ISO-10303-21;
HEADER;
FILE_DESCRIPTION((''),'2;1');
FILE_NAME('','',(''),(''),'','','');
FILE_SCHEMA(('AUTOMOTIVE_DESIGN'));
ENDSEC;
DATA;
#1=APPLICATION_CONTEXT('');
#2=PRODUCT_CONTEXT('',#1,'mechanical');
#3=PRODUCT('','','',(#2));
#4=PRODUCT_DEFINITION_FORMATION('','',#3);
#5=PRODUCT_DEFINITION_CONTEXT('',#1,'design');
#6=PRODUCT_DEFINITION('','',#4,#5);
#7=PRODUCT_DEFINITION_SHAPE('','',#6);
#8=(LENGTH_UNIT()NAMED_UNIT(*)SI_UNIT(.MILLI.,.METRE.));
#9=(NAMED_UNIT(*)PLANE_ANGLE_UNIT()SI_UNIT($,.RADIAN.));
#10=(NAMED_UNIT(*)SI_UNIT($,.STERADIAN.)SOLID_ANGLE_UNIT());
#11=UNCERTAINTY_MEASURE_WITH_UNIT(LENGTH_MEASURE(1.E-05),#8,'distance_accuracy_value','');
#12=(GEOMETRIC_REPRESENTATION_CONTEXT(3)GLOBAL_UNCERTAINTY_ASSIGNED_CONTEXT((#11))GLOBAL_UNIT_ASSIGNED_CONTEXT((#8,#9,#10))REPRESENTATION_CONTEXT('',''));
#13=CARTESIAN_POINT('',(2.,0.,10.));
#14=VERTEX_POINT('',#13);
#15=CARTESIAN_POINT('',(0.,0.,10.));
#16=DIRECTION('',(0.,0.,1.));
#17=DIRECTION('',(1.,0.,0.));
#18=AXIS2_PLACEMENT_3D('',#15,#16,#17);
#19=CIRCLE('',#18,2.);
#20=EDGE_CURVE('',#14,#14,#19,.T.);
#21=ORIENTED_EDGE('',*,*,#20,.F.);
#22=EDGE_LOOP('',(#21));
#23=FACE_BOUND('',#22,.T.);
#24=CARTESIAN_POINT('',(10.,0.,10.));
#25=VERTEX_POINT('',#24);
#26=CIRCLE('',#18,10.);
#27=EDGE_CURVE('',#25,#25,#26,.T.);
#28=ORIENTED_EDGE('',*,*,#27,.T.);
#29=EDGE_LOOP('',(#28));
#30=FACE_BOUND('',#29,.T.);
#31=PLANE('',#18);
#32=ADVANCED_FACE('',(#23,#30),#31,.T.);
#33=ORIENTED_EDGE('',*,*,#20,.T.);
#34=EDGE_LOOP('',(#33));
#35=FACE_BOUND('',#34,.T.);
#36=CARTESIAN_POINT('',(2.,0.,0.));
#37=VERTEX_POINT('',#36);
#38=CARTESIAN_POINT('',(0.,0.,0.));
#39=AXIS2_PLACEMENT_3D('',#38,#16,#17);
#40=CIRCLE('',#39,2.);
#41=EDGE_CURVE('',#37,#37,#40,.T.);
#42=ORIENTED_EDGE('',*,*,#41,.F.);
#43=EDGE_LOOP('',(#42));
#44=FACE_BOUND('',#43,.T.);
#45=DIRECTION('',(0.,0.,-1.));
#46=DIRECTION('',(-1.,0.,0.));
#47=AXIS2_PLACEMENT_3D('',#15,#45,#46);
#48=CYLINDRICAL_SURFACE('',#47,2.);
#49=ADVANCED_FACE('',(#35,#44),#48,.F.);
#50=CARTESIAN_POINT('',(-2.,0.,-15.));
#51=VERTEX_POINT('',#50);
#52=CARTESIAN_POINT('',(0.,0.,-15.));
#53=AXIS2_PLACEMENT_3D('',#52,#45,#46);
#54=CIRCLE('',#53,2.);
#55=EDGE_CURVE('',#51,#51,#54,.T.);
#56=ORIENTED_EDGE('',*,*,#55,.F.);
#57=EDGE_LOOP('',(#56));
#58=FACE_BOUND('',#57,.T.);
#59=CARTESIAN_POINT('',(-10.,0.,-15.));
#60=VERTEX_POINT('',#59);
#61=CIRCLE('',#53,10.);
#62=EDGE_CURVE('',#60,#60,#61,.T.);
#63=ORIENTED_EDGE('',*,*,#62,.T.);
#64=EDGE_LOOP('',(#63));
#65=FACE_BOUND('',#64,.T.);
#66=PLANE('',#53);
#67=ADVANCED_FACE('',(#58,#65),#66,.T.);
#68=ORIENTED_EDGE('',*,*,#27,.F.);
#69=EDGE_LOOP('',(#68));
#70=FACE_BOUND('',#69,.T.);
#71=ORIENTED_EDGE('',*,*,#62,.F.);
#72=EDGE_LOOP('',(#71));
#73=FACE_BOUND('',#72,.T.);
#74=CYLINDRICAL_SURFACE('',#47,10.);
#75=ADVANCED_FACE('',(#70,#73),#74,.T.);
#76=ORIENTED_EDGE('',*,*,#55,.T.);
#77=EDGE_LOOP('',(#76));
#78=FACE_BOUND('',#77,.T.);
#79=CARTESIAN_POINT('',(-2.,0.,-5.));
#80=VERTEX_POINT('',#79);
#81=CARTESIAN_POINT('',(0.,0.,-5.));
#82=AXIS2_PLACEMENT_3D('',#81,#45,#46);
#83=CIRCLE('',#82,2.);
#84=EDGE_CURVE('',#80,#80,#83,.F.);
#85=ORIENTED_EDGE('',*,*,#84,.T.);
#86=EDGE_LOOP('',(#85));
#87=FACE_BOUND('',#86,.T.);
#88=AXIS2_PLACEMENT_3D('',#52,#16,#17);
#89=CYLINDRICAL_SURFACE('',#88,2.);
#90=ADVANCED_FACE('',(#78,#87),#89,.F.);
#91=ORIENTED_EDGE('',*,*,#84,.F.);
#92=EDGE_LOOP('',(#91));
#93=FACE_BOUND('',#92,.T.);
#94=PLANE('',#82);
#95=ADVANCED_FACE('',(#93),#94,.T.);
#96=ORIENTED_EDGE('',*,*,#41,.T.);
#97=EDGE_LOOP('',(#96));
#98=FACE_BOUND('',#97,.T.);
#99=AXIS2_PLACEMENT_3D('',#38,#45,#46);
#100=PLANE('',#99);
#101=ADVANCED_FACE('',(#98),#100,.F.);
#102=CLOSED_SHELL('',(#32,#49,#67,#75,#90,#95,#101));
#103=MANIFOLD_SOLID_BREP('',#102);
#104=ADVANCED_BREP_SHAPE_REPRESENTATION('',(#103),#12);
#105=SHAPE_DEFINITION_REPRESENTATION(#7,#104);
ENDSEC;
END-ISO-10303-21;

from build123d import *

# Parameters (mm, degrees)
SKETCH1_R           = 10
SKETCH1_R_2         = 2
BOSS_EXTRUDE1_DEPTH = 10
BOSS_EXTRUDE3_START = 5
SKETCH4_R           = 10
BOSS_EXTRUDE3_DEPTH = 5
BOSS_EXTRUDE4_START = 10
SKETCH5_R           = 10
SKETCH5_R_2         = 2
BOSS_EXTRUDE4_DEPTH = 10


with BuildPart() as part:
    # Sketch1 → Boss-Extrude1 (new body)
    with BuildSketch(Plane.XY):
        Circle(SKETCH1_R)
        Circle(SKETCH1_R_2, mode=Mode.SUBTRACT)
    extrude(amount=BOSS_EXTRUDE1_DEPTH)

    # Sketch4 → Boss-Extrude3 (add)
    with BuildSketch(Plane(origin=(0, 0, 0), x_dir=(-1, 0, 0), z_dir=(0, 0, -1)).offset(BOSS_EXTRUDE3_START)):
        Circle(SKETCH4_R)
    extrude(amount=-BOSS_EXTRUDE3_DEPTH)

    # Sketch5 → Boss-Extrude4 (add)
    with BuildSketch(Plane(origin=(0, 0, -5), x_dir=(-1, 0, 0), z_dir=(0, 0, -1)).offset(BOSS_EXTRUDE4_START)):
        Circle(SKETCH5_R)
        with Locations(Location((0, 0, 0), (0, 0, 180))):
            Circle(SKETCH5_R_2, mode=Mode.SUBTRACT)
    extrude(amount=-BOSS_EXTRUDE4_DEPTH)


solid = part.part
